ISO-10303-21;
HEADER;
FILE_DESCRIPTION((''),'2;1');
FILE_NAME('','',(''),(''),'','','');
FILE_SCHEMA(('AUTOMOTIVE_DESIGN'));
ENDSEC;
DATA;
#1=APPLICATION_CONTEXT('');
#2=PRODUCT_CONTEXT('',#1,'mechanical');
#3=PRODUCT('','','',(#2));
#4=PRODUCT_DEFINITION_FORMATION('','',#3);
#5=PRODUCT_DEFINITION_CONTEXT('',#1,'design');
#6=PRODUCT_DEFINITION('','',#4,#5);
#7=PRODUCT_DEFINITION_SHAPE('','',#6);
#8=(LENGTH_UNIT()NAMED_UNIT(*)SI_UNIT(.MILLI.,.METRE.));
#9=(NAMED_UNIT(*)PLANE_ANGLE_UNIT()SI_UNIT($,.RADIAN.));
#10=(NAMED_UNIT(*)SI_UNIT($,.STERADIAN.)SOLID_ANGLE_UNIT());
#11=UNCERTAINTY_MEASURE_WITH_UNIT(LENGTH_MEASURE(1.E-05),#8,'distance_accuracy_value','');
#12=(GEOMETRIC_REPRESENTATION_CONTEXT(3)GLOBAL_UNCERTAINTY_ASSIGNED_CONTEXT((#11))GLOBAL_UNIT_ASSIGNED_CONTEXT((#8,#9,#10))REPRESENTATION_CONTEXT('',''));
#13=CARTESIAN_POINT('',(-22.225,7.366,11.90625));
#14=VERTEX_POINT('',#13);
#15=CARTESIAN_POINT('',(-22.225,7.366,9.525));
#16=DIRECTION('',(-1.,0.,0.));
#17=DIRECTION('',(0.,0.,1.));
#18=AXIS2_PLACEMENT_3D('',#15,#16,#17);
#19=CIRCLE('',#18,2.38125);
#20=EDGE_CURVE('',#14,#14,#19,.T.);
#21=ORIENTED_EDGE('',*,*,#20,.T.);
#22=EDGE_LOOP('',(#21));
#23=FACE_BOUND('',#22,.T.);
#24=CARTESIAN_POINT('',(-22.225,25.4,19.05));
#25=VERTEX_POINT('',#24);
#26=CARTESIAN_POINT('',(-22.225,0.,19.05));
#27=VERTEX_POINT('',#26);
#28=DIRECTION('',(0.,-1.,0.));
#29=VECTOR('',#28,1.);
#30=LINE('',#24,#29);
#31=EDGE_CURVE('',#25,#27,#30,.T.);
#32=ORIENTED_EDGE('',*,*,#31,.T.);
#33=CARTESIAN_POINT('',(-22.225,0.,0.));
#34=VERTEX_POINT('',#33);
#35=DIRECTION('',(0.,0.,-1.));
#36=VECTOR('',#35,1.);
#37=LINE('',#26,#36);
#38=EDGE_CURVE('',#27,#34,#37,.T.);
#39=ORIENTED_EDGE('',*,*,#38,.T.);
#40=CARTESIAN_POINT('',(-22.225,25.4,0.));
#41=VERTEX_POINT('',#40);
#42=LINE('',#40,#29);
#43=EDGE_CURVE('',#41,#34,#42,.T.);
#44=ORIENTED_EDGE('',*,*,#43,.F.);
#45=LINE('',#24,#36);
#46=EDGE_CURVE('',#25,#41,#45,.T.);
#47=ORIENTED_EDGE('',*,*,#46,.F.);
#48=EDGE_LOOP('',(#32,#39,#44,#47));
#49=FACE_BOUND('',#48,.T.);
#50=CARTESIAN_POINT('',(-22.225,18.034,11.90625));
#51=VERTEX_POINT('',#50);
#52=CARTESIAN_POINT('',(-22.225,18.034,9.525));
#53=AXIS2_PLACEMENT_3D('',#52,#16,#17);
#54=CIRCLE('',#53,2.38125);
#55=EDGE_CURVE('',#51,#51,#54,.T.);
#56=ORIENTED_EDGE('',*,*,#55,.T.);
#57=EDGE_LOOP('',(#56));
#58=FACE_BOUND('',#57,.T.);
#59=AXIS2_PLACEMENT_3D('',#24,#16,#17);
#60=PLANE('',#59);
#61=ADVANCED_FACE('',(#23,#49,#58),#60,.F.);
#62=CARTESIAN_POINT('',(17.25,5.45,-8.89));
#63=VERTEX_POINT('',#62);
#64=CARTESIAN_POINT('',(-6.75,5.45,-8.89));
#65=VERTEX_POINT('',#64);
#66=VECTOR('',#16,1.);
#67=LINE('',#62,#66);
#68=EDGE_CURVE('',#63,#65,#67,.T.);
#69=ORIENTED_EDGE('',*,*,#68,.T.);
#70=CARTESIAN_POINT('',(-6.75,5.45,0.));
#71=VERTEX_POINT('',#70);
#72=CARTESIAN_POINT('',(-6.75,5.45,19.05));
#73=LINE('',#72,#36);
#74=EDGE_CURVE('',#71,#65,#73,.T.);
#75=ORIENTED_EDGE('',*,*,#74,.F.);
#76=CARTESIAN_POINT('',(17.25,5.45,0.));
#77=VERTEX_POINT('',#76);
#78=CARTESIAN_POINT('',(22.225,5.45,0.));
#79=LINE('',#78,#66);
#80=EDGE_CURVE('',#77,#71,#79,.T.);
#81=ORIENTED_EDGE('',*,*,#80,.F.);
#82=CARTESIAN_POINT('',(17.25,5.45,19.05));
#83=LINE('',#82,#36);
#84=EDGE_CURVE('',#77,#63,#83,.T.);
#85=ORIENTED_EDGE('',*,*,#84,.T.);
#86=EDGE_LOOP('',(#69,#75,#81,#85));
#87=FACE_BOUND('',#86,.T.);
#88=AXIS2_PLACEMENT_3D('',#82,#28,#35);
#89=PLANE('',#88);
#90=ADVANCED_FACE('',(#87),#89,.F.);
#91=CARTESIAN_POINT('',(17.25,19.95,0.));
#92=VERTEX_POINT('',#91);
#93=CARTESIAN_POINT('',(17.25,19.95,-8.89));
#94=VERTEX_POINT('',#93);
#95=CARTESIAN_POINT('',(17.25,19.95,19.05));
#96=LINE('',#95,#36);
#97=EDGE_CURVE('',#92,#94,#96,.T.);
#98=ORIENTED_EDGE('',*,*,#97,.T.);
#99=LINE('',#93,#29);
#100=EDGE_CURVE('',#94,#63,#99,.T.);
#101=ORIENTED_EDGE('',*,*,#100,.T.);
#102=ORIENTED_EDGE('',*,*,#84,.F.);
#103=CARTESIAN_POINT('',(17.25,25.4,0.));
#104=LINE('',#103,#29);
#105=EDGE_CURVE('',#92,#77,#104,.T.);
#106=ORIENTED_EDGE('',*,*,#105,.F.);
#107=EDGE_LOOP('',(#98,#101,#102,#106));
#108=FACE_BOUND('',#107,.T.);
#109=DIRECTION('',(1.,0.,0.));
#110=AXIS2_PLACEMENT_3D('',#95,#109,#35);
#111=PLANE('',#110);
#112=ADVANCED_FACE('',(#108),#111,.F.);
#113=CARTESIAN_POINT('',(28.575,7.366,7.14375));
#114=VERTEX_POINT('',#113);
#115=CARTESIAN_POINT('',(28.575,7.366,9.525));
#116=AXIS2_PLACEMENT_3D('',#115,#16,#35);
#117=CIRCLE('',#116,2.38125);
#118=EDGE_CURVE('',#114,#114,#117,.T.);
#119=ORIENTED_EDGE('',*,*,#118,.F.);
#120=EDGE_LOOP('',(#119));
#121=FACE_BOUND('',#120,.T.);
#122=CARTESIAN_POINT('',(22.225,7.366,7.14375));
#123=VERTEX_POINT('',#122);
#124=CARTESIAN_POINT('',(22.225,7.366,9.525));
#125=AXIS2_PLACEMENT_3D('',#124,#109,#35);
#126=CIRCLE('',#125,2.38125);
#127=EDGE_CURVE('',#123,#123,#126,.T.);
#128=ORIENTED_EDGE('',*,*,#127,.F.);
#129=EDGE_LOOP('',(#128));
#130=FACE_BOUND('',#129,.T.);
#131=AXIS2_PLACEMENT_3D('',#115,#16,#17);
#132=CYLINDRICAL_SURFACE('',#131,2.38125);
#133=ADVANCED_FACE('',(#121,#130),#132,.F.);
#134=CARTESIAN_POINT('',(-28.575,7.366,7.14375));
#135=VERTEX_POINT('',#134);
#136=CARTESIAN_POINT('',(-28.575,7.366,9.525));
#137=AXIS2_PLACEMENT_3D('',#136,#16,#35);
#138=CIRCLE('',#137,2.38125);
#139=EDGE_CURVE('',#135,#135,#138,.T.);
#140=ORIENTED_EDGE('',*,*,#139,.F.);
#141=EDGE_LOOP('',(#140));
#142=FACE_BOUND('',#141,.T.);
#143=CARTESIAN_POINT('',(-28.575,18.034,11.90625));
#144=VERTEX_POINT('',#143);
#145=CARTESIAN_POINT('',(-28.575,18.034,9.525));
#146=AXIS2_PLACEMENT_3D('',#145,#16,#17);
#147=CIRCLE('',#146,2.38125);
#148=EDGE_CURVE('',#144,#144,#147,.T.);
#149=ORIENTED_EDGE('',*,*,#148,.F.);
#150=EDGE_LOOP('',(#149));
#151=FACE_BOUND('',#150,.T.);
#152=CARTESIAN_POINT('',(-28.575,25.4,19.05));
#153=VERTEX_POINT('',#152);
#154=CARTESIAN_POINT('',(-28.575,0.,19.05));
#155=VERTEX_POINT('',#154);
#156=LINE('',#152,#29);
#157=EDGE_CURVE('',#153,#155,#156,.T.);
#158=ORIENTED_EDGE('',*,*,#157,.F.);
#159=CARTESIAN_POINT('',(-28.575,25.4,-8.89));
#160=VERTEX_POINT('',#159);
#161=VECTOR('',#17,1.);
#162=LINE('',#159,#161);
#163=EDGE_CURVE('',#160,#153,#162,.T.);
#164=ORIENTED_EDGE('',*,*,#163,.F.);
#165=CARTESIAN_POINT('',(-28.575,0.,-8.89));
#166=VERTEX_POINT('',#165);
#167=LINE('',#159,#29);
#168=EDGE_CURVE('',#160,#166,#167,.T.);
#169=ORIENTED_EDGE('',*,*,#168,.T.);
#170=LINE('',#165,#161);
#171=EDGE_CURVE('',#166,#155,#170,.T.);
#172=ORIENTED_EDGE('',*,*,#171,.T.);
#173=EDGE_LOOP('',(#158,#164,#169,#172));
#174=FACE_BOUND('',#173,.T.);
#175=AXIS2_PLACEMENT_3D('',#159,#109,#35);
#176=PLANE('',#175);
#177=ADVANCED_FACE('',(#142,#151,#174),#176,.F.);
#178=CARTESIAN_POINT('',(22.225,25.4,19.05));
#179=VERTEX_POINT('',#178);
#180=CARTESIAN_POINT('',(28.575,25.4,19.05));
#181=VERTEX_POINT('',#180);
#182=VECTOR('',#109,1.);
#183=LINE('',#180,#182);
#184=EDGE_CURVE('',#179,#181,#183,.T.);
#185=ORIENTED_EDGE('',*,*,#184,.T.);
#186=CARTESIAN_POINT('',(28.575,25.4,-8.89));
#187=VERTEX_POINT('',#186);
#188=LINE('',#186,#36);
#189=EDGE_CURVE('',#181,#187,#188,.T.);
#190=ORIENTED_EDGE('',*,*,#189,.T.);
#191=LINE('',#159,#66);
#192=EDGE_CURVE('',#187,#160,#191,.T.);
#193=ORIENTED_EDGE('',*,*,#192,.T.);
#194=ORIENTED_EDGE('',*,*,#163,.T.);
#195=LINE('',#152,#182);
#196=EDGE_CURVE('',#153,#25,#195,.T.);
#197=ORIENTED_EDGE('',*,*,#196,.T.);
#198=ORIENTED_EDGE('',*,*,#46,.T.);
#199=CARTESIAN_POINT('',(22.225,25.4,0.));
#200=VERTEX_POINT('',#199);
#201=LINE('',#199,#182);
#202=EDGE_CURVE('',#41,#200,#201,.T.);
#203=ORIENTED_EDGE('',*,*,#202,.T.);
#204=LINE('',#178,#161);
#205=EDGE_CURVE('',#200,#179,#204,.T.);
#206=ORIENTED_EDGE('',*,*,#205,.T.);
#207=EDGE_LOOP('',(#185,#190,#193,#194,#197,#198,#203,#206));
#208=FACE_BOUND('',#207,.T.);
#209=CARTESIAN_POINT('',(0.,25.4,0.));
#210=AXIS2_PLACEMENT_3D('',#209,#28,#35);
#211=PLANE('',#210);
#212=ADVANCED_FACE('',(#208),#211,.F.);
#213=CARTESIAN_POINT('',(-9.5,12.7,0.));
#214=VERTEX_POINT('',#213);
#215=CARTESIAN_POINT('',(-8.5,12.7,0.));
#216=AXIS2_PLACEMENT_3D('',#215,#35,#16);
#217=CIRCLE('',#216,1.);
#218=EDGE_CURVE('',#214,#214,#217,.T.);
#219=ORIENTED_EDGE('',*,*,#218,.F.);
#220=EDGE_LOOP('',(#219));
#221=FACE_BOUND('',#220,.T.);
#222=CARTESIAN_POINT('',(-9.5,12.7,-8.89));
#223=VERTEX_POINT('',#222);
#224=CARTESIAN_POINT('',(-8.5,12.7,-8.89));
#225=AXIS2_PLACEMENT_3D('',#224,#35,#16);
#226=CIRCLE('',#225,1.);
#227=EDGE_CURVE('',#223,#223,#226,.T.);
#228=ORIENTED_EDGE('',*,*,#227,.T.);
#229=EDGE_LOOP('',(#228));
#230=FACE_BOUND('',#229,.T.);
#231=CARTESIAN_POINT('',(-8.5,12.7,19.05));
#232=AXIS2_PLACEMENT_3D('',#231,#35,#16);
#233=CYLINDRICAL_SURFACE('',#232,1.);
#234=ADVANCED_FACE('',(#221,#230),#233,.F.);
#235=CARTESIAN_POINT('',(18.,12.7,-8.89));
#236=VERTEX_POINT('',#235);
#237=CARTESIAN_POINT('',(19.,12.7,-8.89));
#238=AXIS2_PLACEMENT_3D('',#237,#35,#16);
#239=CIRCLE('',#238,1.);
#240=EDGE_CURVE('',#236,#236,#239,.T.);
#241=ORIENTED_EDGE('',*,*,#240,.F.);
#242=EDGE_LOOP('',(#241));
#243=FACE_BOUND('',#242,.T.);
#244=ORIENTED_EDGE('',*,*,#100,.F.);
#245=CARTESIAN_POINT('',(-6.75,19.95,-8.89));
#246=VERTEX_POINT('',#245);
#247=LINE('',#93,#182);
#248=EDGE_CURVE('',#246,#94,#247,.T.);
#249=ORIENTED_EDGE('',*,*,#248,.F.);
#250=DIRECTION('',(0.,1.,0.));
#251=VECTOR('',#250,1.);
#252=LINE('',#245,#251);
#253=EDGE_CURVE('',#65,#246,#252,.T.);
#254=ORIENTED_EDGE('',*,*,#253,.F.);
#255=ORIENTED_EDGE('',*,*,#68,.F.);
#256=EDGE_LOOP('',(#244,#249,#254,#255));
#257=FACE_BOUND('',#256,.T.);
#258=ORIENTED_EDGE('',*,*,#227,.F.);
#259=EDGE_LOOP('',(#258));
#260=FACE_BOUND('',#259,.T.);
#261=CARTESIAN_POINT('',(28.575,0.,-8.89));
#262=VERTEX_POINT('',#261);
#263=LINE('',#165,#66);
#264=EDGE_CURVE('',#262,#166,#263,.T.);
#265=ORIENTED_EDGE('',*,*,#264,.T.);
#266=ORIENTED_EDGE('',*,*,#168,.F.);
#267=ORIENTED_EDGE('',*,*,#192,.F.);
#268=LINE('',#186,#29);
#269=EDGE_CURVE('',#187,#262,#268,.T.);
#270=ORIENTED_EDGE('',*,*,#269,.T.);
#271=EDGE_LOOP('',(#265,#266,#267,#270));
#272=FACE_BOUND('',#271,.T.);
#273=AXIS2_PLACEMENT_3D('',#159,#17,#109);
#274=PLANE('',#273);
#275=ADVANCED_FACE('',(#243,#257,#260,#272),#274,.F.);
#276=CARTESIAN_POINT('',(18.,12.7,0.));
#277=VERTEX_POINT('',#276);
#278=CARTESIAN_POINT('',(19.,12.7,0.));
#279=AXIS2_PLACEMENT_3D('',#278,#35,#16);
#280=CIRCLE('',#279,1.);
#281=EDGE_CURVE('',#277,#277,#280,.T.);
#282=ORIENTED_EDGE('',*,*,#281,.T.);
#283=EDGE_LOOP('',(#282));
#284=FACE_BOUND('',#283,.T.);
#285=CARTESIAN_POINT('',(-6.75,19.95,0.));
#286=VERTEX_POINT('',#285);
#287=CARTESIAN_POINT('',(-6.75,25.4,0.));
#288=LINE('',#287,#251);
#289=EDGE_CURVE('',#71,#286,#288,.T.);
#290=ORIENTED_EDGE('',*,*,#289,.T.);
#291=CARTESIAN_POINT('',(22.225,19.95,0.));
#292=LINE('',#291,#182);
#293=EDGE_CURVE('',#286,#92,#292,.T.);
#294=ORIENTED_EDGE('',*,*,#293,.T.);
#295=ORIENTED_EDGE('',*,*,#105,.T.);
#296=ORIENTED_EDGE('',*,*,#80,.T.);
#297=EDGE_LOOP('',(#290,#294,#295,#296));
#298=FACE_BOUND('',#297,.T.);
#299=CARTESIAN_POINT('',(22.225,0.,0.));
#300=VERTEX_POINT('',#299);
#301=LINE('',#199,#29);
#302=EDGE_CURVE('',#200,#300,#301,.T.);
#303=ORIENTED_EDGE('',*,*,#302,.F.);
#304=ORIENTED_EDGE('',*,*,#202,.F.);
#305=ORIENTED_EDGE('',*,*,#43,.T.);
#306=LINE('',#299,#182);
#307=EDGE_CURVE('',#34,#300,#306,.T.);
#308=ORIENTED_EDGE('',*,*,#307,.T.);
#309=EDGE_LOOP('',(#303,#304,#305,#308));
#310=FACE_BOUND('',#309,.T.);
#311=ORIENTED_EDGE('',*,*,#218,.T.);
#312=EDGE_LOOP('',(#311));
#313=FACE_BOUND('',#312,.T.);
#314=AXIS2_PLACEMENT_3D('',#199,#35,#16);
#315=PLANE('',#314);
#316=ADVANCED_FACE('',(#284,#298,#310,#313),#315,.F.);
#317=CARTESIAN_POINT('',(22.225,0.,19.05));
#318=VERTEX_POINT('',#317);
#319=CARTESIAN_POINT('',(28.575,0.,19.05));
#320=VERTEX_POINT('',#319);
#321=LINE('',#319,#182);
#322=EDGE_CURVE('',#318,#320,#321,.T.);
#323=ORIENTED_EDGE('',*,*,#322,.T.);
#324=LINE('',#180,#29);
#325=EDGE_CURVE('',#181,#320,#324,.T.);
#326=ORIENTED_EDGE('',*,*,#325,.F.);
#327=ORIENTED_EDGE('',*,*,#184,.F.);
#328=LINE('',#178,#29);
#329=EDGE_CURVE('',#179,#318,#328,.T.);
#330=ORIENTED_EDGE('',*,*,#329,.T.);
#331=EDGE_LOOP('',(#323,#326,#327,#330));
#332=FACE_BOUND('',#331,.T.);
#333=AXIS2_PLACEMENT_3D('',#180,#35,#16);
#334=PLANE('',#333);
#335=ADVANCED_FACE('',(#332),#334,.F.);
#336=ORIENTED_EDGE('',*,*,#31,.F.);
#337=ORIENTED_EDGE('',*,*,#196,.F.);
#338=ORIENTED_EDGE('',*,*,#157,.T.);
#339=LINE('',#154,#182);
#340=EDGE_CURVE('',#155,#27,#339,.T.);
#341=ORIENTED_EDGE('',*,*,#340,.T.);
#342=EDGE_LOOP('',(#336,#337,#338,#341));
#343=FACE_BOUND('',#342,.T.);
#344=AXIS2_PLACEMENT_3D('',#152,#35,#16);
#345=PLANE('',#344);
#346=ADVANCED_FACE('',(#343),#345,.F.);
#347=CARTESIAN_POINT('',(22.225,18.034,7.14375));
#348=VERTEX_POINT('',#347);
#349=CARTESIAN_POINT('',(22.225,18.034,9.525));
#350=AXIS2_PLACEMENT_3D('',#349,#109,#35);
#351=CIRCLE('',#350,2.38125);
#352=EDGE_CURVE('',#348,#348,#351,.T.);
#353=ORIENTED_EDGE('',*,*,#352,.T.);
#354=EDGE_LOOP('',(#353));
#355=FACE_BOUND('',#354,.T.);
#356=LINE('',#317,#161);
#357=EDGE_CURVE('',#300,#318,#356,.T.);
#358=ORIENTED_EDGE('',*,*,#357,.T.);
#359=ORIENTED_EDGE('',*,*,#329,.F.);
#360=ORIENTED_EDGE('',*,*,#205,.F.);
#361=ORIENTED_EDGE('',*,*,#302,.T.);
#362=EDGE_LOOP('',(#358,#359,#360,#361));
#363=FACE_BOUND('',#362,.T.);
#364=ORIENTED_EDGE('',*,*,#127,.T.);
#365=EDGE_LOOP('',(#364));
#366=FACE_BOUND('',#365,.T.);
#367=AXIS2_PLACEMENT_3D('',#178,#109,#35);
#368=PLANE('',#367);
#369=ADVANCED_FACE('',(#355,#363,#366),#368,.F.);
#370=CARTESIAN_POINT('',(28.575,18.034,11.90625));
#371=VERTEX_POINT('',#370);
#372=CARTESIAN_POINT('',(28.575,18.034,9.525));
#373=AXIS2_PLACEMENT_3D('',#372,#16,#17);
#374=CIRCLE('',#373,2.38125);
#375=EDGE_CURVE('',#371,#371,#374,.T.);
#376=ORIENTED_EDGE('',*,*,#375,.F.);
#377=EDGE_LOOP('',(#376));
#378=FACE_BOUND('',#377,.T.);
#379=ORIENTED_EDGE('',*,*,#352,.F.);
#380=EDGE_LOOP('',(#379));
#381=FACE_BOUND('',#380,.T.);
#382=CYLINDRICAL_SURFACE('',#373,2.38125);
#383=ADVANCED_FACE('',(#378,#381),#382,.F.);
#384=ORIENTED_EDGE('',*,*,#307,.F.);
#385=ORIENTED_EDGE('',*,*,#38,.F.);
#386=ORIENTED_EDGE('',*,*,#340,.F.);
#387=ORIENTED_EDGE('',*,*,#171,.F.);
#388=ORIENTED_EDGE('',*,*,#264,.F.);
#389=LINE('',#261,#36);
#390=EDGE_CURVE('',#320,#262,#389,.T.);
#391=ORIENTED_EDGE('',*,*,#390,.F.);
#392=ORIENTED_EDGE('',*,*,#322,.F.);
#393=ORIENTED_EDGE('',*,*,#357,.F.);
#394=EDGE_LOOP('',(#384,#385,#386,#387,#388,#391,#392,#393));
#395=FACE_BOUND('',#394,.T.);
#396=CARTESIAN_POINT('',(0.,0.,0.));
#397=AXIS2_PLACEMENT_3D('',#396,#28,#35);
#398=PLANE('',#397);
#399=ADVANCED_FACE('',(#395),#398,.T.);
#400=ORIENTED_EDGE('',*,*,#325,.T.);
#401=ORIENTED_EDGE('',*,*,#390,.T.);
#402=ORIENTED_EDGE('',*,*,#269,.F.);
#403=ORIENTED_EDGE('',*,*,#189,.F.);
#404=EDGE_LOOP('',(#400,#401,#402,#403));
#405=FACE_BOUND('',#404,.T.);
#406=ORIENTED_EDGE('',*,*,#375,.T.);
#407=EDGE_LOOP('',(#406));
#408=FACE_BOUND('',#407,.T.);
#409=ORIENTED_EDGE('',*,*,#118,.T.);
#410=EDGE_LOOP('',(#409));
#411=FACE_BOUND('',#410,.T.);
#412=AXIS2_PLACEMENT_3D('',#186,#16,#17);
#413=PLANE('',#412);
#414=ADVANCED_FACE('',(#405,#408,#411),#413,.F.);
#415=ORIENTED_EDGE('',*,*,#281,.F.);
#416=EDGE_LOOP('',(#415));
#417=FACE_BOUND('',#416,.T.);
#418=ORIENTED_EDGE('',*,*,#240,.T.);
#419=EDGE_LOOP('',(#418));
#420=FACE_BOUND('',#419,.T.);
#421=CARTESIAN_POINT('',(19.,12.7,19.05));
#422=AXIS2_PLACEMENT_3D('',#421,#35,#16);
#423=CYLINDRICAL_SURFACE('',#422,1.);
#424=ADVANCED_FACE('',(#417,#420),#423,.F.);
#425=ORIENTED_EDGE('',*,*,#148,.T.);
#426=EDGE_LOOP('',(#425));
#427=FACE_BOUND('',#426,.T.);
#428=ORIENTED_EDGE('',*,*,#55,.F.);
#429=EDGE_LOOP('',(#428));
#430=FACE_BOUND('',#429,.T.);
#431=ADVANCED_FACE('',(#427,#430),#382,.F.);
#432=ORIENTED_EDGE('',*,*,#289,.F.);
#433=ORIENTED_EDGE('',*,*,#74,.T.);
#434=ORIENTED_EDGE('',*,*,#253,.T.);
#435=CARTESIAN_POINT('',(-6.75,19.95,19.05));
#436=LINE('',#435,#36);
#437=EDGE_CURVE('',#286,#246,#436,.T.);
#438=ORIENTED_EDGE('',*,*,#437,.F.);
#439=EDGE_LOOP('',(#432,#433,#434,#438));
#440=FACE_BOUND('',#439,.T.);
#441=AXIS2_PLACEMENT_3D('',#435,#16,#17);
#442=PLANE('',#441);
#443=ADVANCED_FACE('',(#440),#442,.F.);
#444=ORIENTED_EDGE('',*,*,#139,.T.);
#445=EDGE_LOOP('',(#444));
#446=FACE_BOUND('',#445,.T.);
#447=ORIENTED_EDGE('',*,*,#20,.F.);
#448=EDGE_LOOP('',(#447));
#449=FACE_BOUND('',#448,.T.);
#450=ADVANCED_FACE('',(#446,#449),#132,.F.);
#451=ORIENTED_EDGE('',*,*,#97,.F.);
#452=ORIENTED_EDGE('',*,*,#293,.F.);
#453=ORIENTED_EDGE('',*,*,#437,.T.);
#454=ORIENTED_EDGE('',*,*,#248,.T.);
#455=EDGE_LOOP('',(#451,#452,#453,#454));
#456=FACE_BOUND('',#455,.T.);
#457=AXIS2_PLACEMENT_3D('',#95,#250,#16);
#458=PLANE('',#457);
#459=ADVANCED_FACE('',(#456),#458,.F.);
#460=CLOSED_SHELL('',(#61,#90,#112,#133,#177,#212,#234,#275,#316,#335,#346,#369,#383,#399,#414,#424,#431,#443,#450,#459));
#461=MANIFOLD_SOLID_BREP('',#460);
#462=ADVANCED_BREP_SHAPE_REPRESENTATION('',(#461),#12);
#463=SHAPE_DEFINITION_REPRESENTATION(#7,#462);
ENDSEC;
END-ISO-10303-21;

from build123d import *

# Parameters (mm, degrees)
BOSS_EXTRUDE1_DEPTH     = 25.4
CUT_EXTRUDE1_DEPTH      = 60.905780189
CUT_EXTRUDE1_DEPTH_BACK = 60.905780189
SKETCH2_R               = 2.38125
SKETCH3_R               = 1
SKETCH3_W               = 24
SKETCH3_H               = 14.5
CUT_EXTRUDE2_DEPTH      = 48.353291596


with BuildPart() as part:
    # Sketch1 → Boss-Extrude1 (new body)
    with BuildSketch(Plane(origin=(0, 0, 0), x_dir=(1, 0, 0), z_dir=(0, 1, 0))):
        Polygon((-28.575, 8.89), (28.575, 8.89), (28.575, -19.05), (22.225, -19.05), (22.225, 0), (-22.225, 0), (-22.225, -19.05), (-28.575, -19.05), align=None)
    extrude(amount=BOSS_EXTRUDE1_DEPTH)

    # Sketch2 → Cut-Extrude1 (cut, two sides: drawn at the far end of the back side and taken through both)
    with BuildSketch(Plane.ZY.offset(-22.225).offset(-CUT_EXTRUDE1_DEPTH_BACK)):
        with Locations((9.525, 18.034)):
            Circle(SKETCH2_R)
        with Locations(Location((9.525, 7.366, 0), (0, 0, 180))):
            Circle(SKETCH2_R)
    extrude(amount=CUT_EXTRUDE1_DEPTH + CUT_EXTRUDE1_DEPTH_BACK, mode=Mode.SUBTRACT)

    # Sketch3 → Cut-Extrude2 (cut, through all)
    with BuildSketch(Plane(origin=(0, 0, -8.89), x_dir=(-1, 0, 0), z_dir=(0, 0, -1))):
        with Locations((8.5, 12.7)):
            Circle(SKETCH3_R)
        with Locations((-19, 12.7)):
            Circle(SKETCH3_R)
        with Locations((-5.25, 12.7)):
            Rectangle(SKETCH3_W, SKETCH3_H)
    extrude(amount=-CUT_EXTRUDE2_DEPTH, mode=Mode.SUBTRACT)


solid = part.part
